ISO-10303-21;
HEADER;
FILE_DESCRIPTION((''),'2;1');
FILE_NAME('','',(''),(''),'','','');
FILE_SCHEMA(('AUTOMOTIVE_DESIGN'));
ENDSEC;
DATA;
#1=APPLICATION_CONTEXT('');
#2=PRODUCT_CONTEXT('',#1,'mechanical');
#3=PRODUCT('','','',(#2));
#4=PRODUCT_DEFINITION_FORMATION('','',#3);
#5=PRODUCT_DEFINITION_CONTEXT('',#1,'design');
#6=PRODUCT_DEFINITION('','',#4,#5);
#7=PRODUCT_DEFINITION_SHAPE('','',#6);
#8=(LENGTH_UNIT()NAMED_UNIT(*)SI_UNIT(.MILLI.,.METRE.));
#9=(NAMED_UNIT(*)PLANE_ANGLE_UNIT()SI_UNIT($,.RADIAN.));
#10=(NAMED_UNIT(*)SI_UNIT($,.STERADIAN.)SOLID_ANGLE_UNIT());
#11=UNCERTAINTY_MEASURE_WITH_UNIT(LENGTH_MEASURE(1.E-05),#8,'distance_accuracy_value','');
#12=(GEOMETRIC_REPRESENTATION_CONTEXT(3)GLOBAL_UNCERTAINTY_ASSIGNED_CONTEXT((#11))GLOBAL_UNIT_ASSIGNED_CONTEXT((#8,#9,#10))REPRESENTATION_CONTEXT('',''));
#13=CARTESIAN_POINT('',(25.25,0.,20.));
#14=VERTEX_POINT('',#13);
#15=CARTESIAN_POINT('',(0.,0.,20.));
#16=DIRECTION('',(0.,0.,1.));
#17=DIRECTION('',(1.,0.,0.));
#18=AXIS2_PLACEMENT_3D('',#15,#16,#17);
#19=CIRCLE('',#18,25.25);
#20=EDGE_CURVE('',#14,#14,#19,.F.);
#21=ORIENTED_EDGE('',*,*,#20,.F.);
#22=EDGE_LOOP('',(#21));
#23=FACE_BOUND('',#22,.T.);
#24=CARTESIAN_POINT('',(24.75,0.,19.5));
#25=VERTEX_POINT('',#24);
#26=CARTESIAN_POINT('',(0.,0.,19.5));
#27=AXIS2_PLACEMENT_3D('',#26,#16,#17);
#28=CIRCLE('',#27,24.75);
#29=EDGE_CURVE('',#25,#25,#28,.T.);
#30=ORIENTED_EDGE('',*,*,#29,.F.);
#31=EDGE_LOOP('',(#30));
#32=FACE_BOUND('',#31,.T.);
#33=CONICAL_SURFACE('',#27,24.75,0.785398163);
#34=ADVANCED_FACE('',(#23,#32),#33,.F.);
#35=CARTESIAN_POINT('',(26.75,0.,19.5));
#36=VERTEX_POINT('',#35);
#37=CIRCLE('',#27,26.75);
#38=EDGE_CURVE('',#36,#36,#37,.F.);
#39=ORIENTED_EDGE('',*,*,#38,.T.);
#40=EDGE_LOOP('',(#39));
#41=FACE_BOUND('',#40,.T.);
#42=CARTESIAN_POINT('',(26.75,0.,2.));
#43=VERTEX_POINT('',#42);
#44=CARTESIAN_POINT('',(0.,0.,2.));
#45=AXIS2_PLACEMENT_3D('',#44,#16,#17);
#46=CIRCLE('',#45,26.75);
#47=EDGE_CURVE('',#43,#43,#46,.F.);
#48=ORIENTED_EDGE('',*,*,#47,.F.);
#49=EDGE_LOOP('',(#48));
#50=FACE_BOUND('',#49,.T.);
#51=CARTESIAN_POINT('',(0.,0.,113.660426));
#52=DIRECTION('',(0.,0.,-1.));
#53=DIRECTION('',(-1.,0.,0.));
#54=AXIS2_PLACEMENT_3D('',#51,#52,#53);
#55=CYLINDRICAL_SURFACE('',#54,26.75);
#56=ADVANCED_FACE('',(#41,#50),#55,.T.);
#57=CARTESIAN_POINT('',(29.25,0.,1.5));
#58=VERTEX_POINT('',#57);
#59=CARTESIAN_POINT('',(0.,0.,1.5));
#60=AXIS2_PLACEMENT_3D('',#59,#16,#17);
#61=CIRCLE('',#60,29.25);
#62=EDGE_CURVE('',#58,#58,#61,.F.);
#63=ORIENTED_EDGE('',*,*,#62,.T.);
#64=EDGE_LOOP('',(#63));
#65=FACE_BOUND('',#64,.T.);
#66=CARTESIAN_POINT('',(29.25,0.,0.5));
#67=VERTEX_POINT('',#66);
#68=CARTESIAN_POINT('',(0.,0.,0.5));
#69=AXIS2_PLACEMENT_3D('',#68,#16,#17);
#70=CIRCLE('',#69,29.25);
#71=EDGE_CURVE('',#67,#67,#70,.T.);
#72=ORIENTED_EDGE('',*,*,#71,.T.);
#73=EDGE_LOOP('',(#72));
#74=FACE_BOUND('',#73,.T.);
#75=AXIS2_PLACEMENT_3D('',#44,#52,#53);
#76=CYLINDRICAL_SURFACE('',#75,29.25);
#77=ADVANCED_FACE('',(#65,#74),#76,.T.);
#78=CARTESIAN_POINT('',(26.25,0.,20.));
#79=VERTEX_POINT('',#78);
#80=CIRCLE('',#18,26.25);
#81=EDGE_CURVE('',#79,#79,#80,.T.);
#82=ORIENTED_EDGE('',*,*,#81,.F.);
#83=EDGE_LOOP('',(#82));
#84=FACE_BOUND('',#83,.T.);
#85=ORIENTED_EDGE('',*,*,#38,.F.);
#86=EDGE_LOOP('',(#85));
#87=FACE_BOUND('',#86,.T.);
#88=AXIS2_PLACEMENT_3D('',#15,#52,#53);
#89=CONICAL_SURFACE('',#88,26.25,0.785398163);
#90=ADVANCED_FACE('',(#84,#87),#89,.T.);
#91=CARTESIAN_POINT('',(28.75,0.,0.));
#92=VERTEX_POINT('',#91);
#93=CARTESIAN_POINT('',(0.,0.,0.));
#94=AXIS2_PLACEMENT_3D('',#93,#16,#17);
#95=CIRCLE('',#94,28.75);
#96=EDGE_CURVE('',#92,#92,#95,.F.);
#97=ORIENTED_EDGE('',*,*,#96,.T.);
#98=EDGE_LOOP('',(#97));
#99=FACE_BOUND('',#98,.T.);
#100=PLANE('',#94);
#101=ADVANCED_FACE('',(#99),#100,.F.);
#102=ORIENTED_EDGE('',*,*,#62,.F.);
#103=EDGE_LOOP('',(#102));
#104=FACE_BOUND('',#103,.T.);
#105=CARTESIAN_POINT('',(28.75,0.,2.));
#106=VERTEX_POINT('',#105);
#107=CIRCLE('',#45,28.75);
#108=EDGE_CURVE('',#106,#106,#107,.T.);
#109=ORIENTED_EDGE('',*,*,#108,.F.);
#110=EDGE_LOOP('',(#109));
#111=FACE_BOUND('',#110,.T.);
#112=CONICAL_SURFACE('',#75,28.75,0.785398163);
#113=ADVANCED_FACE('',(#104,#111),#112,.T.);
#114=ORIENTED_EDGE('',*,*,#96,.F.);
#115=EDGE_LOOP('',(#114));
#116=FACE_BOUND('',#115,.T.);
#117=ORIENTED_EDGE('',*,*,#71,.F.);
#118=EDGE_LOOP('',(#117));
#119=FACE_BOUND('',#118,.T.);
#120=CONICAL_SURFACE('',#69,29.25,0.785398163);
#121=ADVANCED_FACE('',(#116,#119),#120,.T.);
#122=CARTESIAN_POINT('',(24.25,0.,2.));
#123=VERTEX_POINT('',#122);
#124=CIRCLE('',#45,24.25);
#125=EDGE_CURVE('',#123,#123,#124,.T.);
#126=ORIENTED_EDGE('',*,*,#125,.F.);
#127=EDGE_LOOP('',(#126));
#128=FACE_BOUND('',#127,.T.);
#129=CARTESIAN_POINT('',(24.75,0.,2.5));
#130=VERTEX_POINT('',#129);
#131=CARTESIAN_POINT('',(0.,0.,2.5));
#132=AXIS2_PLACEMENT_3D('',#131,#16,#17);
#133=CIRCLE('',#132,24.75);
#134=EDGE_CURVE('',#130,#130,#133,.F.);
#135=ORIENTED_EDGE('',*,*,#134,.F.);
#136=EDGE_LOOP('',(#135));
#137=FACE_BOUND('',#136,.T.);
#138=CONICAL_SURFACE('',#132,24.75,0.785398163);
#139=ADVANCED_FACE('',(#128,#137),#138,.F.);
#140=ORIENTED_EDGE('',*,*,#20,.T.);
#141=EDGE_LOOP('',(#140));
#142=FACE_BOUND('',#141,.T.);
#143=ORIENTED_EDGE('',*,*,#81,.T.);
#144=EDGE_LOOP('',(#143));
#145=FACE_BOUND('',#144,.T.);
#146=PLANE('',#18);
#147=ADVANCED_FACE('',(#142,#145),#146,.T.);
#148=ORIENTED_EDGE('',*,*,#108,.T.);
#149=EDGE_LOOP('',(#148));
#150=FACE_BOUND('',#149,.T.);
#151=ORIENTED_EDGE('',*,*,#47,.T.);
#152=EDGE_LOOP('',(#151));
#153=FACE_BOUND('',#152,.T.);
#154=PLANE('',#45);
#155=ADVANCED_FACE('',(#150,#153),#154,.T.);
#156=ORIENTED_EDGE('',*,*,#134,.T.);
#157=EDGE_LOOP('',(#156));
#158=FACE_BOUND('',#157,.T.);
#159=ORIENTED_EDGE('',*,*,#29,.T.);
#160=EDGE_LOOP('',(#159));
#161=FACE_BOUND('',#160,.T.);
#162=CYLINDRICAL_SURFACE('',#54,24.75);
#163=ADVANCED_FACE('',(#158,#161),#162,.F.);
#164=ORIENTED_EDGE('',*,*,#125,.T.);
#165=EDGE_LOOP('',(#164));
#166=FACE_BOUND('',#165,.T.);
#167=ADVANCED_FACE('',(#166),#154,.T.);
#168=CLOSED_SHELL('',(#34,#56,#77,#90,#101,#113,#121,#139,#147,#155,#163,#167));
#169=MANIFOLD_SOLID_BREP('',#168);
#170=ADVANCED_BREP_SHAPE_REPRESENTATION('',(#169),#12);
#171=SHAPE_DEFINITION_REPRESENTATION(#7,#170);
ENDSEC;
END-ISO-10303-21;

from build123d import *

# Parameters (mm, degrees)
SKETCH2_R           = 26.75
SKETCH2_R_2         = 29.25
SKETCH2_R_3         = 24.75
BOSS_EXTRUDE1_DEPTH = 2
SKETCH2_3_R         = 26.75
SKETCH2_3_R_2       = 24.75
BOSS_EXTRUDE2_DEPTH = 20
CHAMFER1_SIZE       = 0.5


with BuildPart() as part:
    # Sketch2 → Boss-Extrude1 (new body)
    with BuildSketch(Plane.XY):
        Circle(SKETCH2_R)
        Circle(SKETCH2_R_2)
        Circle(SKETCH2_R, mode=Mode.SUBTRACT)
        Circle(SKETCH2_R_3)
    extrude(amount=BOSS_EXTRUDE1_DEPTH)

    # Sketch2<3> → Boss-Extrude2 (add)
    with BuildSketch(Plane.XY):
        Circle(SKETCH2_3_R)
        Circle(SKETCH2_3_R_2, mode=Mode.SUBTRACT)
    extrude(amount=BOSS_EXTRUDE2_DEPTH)

    # Chamfer1
    chamfer1_edges = [part.edges().sort_by_distance(p)[0] for p in [
        (-26.75, 0, 20),
        (-29.25, 0, 0),
        (-29.25, 0, 2),
        (-24.75, 0, 2),
        (-24.75, 0, 20),
    ]]
    chamfer(chamfer1_edges, length=CHAMFER1_SIZE)


solid = part.part
